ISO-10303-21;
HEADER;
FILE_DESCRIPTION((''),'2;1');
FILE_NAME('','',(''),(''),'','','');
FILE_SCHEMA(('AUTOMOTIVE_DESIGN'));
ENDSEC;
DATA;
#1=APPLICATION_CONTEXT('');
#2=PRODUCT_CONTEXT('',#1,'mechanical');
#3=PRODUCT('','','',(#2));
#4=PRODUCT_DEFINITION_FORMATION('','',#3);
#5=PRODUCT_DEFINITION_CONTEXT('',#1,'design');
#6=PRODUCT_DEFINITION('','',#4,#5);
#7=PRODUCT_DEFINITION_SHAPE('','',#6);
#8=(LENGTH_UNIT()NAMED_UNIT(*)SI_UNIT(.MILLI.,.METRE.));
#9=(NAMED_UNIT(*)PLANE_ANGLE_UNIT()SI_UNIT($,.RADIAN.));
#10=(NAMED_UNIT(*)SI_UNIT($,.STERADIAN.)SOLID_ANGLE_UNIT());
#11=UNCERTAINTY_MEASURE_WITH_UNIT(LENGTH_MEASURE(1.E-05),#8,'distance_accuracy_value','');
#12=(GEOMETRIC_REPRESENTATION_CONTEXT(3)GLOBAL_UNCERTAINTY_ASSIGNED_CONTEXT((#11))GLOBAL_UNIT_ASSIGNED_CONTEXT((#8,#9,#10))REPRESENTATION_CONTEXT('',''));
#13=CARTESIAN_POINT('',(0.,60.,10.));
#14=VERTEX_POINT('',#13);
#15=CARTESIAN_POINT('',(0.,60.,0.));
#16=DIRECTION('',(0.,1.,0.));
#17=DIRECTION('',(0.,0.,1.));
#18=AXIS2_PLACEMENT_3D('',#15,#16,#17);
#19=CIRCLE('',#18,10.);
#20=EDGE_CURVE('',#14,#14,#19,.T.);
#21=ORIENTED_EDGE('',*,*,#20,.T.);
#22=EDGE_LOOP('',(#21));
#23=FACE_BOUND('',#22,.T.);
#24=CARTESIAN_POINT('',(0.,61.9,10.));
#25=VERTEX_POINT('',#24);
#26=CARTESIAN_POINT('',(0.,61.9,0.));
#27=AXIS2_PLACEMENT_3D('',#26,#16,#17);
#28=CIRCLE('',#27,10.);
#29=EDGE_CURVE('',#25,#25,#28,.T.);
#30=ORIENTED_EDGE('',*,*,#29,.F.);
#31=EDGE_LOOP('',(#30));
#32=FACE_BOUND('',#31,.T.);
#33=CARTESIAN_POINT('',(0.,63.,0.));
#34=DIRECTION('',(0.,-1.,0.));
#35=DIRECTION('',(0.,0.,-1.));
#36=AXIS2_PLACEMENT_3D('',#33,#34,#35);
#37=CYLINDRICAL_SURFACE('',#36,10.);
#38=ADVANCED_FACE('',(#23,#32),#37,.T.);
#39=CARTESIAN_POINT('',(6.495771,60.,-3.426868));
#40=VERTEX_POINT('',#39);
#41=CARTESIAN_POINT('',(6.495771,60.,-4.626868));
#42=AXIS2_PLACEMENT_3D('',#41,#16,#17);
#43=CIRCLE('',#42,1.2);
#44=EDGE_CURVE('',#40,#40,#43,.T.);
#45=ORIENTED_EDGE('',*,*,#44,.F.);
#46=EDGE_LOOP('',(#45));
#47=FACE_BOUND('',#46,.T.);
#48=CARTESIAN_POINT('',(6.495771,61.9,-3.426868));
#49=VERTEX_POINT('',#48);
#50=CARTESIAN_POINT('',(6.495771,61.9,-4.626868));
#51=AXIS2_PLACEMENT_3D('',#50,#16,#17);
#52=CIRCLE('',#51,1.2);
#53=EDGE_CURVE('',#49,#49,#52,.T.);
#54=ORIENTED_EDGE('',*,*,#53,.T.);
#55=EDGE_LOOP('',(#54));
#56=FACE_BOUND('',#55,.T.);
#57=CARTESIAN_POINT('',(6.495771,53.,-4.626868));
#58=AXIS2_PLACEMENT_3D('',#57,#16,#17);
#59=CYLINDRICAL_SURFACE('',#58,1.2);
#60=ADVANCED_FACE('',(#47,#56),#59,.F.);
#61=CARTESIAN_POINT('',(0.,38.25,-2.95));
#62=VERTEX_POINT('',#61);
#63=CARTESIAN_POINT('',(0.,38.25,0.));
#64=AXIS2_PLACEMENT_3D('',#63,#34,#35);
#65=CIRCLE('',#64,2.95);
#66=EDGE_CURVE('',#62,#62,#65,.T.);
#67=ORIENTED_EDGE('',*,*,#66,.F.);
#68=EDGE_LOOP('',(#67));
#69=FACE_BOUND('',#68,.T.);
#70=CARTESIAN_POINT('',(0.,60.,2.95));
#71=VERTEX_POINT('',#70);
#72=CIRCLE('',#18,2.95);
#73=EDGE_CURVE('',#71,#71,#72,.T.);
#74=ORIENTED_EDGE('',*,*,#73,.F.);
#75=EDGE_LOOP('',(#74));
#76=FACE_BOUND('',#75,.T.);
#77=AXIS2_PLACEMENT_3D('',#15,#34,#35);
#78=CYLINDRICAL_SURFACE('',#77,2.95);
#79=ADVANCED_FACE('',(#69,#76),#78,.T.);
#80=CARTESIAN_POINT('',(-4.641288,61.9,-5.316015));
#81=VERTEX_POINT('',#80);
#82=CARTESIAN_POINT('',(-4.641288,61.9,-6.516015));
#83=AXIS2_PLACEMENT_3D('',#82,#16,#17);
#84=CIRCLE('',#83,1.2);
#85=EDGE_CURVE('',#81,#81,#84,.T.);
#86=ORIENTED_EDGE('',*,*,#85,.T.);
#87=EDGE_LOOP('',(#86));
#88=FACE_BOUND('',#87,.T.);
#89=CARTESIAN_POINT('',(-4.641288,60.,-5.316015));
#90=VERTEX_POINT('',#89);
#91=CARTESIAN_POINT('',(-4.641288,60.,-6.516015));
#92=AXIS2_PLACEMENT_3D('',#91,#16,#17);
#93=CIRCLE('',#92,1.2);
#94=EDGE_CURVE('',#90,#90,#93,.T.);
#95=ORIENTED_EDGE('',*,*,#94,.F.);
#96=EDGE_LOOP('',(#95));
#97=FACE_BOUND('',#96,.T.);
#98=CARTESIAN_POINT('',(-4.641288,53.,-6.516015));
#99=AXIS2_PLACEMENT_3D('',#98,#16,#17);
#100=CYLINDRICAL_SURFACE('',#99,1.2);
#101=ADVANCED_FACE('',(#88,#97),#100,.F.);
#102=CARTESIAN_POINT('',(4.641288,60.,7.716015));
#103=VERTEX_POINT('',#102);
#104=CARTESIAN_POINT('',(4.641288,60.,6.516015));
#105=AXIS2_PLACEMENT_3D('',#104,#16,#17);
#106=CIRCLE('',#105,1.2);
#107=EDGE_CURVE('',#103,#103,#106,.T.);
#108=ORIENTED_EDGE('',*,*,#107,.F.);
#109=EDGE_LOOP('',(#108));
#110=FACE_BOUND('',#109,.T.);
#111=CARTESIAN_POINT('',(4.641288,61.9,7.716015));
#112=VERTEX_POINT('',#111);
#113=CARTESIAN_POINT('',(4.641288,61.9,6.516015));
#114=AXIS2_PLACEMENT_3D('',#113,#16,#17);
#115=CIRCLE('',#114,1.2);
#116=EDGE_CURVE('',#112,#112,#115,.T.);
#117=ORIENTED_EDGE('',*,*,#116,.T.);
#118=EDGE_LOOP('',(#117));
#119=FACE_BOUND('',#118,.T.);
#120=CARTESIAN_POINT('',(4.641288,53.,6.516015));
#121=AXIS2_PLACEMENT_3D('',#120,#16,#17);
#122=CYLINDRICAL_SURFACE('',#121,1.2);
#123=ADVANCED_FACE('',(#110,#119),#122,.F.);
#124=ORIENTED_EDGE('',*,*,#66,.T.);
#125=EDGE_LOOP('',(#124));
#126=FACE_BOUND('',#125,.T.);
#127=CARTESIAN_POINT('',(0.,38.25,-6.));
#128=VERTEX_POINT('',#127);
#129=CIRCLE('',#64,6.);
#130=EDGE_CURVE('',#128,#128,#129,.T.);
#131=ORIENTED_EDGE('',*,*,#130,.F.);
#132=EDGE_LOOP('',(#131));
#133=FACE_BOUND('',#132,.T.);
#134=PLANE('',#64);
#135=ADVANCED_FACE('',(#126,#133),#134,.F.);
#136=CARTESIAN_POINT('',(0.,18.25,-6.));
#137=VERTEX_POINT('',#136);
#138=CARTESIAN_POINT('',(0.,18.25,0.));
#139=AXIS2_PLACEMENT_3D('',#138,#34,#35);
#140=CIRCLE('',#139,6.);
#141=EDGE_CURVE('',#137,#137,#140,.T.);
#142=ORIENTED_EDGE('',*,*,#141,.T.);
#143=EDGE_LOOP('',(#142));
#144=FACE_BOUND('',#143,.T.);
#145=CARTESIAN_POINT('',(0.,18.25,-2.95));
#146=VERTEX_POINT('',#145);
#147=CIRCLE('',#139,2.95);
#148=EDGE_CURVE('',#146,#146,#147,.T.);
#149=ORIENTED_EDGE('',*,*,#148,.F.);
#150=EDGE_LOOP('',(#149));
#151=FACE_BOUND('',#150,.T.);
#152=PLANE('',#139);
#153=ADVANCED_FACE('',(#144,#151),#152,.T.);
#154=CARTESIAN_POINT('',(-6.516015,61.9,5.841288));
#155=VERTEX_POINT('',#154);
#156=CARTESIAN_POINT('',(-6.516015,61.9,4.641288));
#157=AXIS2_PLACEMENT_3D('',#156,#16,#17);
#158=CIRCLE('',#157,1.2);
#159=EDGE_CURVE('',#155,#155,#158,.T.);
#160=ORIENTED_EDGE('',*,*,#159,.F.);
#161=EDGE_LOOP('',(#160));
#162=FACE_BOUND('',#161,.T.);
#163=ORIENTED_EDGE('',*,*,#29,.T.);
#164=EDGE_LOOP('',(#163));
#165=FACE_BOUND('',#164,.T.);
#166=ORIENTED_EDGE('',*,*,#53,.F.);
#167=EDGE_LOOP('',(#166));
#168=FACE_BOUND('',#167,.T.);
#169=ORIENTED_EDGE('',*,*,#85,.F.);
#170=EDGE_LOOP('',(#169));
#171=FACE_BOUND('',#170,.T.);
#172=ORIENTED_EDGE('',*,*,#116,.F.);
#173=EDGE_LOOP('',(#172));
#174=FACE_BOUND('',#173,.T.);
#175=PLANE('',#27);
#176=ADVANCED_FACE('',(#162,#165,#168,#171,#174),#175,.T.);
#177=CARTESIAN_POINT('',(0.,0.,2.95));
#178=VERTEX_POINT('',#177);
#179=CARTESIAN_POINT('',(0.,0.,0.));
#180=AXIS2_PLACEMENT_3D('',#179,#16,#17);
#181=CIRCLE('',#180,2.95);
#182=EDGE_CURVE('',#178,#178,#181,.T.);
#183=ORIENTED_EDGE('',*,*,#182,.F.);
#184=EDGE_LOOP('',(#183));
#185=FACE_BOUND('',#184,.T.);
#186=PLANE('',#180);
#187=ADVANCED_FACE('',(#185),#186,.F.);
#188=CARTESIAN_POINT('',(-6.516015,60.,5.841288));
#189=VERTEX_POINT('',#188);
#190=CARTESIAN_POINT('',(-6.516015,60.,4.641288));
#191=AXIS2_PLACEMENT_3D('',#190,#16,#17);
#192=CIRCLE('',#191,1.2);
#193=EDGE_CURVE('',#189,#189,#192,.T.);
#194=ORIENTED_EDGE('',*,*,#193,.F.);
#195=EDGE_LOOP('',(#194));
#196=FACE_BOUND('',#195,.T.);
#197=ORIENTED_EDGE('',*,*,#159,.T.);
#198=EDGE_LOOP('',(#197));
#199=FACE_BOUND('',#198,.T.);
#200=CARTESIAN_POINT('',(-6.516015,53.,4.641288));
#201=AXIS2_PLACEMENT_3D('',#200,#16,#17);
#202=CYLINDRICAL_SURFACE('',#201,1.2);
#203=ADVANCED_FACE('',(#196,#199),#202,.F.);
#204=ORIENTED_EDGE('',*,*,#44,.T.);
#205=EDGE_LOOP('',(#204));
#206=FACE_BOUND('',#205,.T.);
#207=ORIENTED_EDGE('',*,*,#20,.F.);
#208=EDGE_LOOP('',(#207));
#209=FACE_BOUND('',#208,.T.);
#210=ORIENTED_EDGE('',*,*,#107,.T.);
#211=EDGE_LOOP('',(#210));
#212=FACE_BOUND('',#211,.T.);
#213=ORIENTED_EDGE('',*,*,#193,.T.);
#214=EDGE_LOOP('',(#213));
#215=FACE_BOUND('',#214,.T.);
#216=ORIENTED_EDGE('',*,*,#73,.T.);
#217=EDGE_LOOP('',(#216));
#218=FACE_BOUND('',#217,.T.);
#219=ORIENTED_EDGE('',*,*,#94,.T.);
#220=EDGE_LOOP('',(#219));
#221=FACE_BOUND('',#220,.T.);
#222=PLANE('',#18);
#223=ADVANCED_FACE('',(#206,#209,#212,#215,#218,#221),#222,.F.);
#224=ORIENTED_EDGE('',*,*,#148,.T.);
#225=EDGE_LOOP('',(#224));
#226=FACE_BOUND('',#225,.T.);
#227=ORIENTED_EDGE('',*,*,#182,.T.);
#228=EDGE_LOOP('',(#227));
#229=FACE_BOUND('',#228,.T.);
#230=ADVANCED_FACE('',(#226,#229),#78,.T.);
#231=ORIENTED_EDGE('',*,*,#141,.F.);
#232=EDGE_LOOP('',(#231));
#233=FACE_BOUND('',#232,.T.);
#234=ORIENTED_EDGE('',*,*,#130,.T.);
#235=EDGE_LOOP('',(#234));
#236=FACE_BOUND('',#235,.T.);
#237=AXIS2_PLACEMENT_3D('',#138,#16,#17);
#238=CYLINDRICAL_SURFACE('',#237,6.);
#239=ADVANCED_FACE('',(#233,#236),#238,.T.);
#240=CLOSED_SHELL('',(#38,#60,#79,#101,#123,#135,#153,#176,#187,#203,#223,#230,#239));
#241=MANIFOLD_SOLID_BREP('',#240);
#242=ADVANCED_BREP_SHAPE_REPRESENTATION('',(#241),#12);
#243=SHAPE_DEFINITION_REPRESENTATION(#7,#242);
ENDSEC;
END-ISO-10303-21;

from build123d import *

# Parameters (mm, degrees)
ESQUISSE1_R             = 2.95
BOSS_EXTRU_1_DEPTH      = 60
ESQUISSE2_R             = 10
BOSS_EXTRU_2_DEPTH      = 3
ESQUISSE3_R             = 1.2
ENL_V_MAT_EXTRU_1_DEPTH = 10
ESQUISSE4_R             = 10
ESQUISSE4_R_2           = 1.2
ENL_V_MAT_EXTRU_2_DEPTH = 1.1
ESQUISSE5_R             = 6
BOSS_EXTRU_3_DEPTH      = 20


with BuildPart() as part:
    # Esquisse1 → Boss.-Extru.1 (new body)
    with BuildSketch(Plane(origin=(0, 0, 0), x_dir=(1, 0, 0), z_dir=(0, 1, 0))):
        with Locations(Location((0, 0, 0), (0, 0, 270))):
            Circle(ESQUISSE1_R)
    extrude(amount=BOSS_EXTRU_1_DEPTH)

    # Esquisse2 → Boss.-Extru.2 (add)
    with BuildSketch(Plane(origin=(0, 60, 0), x_dir=(1, 0, 0), z_dir=(0, 1, 0))):
        with Locations(Location((0, 0, 0), (0, 0, 270))):
            Circle(ESQUISSE2_R)
    extrude(amount=BOSS_EXTRU_2_DEPTH)

    # Esquisse3 → Enlèv. mat.-Extru.1 (cut)
    with BuildSketch(Plane(origin=(0, 63, 0), x_dir=(1, 0, 0), z_dir=(0, 1, 0))):
        with BuildLine():
            ThreePointArc((-5.538612634, -3.945094433), (-7.212207999, -3.663885339), (-7.493417094, -5.337480704))
            Line((-7.493417094, -5.337480704), (-6.516014864, -4.641287568))
            Line((-6.516014864, -4.641287568), (-5.538612634, -3.945094433))
        make_face()
        with BuildLine():
            Line((-6.516014864, -4.641287568), (-7.493417094, -5.337480704))
            ThreePointArc((-7.493417094, -5.337480704), (-6.150558078, -5.784284216), (-5.316014864, -4.641287568))
            ThreePointArc((-5.316014864, -4.641287568), (-5.373018216, -4.275830783), (-5.538612634, -3.945094433))
            Line((-5.538612634, -3.945094433), (-6.516014864, -4.641287568))
        make_face()
        with BuildLine():
            ThreePointArc((-3.441287568, 6.516014864), (-4.091483859, 7.582652516), (-5.337480704, 7.493417094))
            Line((-5.337480704, 7.493417094), (-4.641287568, 6.516014864))
            Line((-4.641287568, 6.516014864), (-3.945094433, 5.538612634))
            ThreePointArc((-3.945094433, 5.538612634), (-3.574649916, 5.966211155), (-3.441287568, 6.516014864))
        make_face()
        with BuildLine():
            Line((-4.641287568, 6.516014864), (-5.337480704, 7.493417094))
            ThreePointArc((-5.337480704, 7.493417094), (-5.618689798, 5.819821729), (-3.945094433, 5.538612634))
            Line((-3.945094433, 5.538612634), (-4.641287568, 6.516014864))
        make_face()
        with BuildLine():
            ThreePointArc((3.945094433, -5.538612634), (3.663885339, -7.212207999), (5.337480704, -7.493417094))
            Line((5.337480704, -7.493417094), (4.641287568, -6.516014864))
            Line((4.641287568, -6.516014864), (3.945094433, -5.538612634))
        make_face()
        with BuildLine():
            Line((4.641287568, -6.516014864), (5.337480704, -7.493417094))
            ThreePointArc((5.337480704, -7.493417094), (5.707925221, -7.065818573), (5.841287568, -6.516014864))
            ThreePointArc((5.841287568, -6.516014864), (5.191091278, -5.449377212), (3.945094433, -5.538612634))
            Line((3.945094433, -5.538612634), (4.641287568, -6.516014864))
        make_face()
        with Locations(Location((6.495771182, 4.62686821, 0), (0, 0, 270))):
            Circle(ESQUISSE3_R)
    extrude(amount=-ENL_V_MAT_EXTRU_1_DEPTH, mode=Mode.SUBTRACT)

    # Esquisse4 → Enlèv. mat.-Extru.2 (cut)
    with BuildSketch(Plane(origin=(0, 63, 0), x_dir=(1, 0, 0), z_dir=(0, 1, 0))):
        with Locations(Location((0, 0, 0), (0, 0, 270))):
            Circle(ESQUISSE4_R)
        with Locations(Location((4.641287568, -6.516014864, 0), (0, 0, 270))):
            Circle(ESQUISSE4_R_2, mode=Mode.SUBTRACT)
        with Locations(Location((-6.516014864, -4.641287568, 0), (0, 0, 270))):
            Circle(ESQUISSE4_R_2, mode=Mode.SUBTRACT)
        with Locations(Location((6.495771182, 4.62686821, 0), (0, 0, 270))):
            Circle(ESQUISSE4_R_2, mode=Mode.SUBTRACT)
        with Locations(Location((-4.641287568, 6.516014864, 0), (0, 0, 270))):
            Circle(ESQUISSE4_R_2, mode=Mode.SUBTRACT)
    extrude(amount=-ENL_V_MAT_EXTRU_2_DEPTH, mode=Mode.SUBTRACT)

    # Esquisse5 → Boss.-Extru.3 (add)
    with BuildSketch(Plane(origin=(0, 38.25, 0), x_dir=(-1, 0, 0), z_dir=(0, -1, 0))):
        with Locations(Location((0, 0, 0), (0, 0, 90))):
            Circle(ESQUISSE5_R)
    extrude(amount=BOSS_EXTRU_3_DEPTH)


solid = part.part
